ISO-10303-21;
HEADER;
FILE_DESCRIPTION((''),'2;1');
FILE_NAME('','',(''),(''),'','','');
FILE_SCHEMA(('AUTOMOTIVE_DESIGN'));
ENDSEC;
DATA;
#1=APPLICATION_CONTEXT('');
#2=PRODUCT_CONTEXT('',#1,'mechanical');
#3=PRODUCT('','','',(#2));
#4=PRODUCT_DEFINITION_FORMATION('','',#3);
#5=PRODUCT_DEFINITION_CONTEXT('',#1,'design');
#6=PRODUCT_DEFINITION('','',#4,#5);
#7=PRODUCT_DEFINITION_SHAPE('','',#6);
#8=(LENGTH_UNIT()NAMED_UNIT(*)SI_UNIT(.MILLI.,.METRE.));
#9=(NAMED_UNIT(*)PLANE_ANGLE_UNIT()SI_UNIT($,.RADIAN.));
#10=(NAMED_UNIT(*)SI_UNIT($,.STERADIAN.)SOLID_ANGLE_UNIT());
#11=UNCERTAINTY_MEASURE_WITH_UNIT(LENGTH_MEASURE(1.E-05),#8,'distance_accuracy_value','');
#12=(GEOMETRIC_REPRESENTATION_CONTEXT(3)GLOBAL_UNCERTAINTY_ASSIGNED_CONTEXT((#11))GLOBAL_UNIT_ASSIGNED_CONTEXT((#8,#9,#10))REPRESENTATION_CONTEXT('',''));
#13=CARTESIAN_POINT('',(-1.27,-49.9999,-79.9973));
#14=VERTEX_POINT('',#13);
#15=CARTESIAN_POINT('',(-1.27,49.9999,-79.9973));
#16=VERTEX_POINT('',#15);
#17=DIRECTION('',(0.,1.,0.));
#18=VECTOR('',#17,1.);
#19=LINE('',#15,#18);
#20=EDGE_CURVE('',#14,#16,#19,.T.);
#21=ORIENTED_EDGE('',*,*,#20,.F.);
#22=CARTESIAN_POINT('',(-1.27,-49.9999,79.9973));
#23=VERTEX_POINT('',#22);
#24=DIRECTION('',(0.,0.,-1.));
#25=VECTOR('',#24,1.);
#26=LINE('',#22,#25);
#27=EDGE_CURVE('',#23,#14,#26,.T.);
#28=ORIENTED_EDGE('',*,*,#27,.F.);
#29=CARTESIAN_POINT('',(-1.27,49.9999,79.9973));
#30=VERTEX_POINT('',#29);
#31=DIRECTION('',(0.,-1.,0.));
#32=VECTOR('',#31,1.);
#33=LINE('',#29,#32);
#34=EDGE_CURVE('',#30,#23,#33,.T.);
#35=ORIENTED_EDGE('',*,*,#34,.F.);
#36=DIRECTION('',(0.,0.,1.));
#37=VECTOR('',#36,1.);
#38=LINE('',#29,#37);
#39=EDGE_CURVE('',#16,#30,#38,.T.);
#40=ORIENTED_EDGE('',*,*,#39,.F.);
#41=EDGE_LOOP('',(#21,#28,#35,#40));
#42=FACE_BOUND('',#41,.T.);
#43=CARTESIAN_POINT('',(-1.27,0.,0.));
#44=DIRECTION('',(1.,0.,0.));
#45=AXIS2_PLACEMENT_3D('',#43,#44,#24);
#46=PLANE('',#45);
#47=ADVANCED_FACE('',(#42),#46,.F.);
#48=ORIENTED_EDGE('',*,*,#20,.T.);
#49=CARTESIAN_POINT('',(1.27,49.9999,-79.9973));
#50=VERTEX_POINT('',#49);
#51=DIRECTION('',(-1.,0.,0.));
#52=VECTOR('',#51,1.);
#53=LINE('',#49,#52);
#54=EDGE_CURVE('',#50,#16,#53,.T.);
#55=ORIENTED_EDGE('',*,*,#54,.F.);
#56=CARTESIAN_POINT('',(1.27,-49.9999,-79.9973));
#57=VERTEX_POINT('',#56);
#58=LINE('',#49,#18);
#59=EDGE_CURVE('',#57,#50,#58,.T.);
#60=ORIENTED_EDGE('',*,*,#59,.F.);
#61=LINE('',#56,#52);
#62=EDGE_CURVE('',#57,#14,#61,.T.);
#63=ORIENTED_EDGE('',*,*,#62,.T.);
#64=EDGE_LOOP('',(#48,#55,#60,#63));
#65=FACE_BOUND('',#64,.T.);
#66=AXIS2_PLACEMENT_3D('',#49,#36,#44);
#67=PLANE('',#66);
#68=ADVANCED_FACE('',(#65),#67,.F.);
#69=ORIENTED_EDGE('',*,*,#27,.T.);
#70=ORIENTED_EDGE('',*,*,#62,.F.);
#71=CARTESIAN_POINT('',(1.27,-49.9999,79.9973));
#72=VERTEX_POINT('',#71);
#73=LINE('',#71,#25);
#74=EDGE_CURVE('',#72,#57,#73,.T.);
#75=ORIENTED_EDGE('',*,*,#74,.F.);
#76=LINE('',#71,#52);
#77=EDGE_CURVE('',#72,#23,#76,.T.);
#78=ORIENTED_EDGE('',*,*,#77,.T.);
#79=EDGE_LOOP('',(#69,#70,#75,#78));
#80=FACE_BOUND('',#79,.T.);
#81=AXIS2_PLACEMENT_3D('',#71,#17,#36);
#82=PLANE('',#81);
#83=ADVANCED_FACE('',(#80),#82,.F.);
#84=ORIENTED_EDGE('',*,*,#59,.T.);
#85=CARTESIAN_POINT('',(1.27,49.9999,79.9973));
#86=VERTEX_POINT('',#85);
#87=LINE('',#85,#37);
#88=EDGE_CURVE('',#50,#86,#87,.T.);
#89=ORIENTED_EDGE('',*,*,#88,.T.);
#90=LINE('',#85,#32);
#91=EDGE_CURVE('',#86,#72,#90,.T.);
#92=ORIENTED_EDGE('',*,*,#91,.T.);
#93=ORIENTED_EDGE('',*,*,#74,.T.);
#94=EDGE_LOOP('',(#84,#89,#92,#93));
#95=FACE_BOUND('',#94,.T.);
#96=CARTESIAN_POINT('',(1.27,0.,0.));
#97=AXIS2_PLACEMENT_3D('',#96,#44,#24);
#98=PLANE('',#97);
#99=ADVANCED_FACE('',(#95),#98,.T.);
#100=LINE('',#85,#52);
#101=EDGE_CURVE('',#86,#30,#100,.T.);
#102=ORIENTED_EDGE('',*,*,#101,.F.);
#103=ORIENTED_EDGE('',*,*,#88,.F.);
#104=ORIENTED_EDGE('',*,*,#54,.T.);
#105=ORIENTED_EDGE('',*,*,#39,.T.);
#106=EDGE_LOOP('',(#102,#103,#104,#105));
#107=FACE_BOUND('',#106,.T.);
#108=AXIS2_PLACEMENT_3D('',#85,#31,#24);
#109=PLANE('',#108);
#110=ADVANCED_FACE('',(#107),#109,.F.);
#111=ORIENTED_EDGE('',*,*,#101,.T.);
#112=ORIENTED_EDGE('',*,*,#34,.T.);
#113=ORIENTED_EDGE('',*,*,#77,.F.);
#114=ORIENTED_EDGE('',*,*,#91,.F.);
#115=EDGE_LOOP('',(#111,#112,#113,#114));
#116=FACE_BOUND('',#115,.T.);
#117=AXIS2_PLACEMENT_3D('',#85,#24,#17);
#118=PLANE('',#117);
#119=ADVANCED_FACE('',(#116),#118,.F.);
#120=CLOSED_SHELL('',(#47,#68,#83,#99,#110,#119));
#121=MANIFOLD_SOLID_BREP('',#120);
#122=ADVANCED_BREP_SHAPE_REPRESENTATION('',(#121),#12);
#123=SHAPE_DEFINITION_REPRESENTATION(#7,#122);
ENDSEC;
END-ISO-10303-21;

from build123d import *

# Parameters (mm, degrees)
SKETCH1_W           = 159.9946
SKETCH1_H           = 99.9998
BOSS_EXTRUDE1_DEPTH = 1.27


with BuildPart() as part:
    # Sketch1 → Boss-Extrude1 (new, symmetric)
    with BuildSketch(Plane(origin=(0, 0, 0), x_dir=(0, 0, -1), z_dir=(1, 0, 0))):
        Rectangle(SKETCH1_W, SKETCH1_H)
    extrude(amount=BOSS_EXTRUDE1_DEPTH, both=True)


solid = part.part
